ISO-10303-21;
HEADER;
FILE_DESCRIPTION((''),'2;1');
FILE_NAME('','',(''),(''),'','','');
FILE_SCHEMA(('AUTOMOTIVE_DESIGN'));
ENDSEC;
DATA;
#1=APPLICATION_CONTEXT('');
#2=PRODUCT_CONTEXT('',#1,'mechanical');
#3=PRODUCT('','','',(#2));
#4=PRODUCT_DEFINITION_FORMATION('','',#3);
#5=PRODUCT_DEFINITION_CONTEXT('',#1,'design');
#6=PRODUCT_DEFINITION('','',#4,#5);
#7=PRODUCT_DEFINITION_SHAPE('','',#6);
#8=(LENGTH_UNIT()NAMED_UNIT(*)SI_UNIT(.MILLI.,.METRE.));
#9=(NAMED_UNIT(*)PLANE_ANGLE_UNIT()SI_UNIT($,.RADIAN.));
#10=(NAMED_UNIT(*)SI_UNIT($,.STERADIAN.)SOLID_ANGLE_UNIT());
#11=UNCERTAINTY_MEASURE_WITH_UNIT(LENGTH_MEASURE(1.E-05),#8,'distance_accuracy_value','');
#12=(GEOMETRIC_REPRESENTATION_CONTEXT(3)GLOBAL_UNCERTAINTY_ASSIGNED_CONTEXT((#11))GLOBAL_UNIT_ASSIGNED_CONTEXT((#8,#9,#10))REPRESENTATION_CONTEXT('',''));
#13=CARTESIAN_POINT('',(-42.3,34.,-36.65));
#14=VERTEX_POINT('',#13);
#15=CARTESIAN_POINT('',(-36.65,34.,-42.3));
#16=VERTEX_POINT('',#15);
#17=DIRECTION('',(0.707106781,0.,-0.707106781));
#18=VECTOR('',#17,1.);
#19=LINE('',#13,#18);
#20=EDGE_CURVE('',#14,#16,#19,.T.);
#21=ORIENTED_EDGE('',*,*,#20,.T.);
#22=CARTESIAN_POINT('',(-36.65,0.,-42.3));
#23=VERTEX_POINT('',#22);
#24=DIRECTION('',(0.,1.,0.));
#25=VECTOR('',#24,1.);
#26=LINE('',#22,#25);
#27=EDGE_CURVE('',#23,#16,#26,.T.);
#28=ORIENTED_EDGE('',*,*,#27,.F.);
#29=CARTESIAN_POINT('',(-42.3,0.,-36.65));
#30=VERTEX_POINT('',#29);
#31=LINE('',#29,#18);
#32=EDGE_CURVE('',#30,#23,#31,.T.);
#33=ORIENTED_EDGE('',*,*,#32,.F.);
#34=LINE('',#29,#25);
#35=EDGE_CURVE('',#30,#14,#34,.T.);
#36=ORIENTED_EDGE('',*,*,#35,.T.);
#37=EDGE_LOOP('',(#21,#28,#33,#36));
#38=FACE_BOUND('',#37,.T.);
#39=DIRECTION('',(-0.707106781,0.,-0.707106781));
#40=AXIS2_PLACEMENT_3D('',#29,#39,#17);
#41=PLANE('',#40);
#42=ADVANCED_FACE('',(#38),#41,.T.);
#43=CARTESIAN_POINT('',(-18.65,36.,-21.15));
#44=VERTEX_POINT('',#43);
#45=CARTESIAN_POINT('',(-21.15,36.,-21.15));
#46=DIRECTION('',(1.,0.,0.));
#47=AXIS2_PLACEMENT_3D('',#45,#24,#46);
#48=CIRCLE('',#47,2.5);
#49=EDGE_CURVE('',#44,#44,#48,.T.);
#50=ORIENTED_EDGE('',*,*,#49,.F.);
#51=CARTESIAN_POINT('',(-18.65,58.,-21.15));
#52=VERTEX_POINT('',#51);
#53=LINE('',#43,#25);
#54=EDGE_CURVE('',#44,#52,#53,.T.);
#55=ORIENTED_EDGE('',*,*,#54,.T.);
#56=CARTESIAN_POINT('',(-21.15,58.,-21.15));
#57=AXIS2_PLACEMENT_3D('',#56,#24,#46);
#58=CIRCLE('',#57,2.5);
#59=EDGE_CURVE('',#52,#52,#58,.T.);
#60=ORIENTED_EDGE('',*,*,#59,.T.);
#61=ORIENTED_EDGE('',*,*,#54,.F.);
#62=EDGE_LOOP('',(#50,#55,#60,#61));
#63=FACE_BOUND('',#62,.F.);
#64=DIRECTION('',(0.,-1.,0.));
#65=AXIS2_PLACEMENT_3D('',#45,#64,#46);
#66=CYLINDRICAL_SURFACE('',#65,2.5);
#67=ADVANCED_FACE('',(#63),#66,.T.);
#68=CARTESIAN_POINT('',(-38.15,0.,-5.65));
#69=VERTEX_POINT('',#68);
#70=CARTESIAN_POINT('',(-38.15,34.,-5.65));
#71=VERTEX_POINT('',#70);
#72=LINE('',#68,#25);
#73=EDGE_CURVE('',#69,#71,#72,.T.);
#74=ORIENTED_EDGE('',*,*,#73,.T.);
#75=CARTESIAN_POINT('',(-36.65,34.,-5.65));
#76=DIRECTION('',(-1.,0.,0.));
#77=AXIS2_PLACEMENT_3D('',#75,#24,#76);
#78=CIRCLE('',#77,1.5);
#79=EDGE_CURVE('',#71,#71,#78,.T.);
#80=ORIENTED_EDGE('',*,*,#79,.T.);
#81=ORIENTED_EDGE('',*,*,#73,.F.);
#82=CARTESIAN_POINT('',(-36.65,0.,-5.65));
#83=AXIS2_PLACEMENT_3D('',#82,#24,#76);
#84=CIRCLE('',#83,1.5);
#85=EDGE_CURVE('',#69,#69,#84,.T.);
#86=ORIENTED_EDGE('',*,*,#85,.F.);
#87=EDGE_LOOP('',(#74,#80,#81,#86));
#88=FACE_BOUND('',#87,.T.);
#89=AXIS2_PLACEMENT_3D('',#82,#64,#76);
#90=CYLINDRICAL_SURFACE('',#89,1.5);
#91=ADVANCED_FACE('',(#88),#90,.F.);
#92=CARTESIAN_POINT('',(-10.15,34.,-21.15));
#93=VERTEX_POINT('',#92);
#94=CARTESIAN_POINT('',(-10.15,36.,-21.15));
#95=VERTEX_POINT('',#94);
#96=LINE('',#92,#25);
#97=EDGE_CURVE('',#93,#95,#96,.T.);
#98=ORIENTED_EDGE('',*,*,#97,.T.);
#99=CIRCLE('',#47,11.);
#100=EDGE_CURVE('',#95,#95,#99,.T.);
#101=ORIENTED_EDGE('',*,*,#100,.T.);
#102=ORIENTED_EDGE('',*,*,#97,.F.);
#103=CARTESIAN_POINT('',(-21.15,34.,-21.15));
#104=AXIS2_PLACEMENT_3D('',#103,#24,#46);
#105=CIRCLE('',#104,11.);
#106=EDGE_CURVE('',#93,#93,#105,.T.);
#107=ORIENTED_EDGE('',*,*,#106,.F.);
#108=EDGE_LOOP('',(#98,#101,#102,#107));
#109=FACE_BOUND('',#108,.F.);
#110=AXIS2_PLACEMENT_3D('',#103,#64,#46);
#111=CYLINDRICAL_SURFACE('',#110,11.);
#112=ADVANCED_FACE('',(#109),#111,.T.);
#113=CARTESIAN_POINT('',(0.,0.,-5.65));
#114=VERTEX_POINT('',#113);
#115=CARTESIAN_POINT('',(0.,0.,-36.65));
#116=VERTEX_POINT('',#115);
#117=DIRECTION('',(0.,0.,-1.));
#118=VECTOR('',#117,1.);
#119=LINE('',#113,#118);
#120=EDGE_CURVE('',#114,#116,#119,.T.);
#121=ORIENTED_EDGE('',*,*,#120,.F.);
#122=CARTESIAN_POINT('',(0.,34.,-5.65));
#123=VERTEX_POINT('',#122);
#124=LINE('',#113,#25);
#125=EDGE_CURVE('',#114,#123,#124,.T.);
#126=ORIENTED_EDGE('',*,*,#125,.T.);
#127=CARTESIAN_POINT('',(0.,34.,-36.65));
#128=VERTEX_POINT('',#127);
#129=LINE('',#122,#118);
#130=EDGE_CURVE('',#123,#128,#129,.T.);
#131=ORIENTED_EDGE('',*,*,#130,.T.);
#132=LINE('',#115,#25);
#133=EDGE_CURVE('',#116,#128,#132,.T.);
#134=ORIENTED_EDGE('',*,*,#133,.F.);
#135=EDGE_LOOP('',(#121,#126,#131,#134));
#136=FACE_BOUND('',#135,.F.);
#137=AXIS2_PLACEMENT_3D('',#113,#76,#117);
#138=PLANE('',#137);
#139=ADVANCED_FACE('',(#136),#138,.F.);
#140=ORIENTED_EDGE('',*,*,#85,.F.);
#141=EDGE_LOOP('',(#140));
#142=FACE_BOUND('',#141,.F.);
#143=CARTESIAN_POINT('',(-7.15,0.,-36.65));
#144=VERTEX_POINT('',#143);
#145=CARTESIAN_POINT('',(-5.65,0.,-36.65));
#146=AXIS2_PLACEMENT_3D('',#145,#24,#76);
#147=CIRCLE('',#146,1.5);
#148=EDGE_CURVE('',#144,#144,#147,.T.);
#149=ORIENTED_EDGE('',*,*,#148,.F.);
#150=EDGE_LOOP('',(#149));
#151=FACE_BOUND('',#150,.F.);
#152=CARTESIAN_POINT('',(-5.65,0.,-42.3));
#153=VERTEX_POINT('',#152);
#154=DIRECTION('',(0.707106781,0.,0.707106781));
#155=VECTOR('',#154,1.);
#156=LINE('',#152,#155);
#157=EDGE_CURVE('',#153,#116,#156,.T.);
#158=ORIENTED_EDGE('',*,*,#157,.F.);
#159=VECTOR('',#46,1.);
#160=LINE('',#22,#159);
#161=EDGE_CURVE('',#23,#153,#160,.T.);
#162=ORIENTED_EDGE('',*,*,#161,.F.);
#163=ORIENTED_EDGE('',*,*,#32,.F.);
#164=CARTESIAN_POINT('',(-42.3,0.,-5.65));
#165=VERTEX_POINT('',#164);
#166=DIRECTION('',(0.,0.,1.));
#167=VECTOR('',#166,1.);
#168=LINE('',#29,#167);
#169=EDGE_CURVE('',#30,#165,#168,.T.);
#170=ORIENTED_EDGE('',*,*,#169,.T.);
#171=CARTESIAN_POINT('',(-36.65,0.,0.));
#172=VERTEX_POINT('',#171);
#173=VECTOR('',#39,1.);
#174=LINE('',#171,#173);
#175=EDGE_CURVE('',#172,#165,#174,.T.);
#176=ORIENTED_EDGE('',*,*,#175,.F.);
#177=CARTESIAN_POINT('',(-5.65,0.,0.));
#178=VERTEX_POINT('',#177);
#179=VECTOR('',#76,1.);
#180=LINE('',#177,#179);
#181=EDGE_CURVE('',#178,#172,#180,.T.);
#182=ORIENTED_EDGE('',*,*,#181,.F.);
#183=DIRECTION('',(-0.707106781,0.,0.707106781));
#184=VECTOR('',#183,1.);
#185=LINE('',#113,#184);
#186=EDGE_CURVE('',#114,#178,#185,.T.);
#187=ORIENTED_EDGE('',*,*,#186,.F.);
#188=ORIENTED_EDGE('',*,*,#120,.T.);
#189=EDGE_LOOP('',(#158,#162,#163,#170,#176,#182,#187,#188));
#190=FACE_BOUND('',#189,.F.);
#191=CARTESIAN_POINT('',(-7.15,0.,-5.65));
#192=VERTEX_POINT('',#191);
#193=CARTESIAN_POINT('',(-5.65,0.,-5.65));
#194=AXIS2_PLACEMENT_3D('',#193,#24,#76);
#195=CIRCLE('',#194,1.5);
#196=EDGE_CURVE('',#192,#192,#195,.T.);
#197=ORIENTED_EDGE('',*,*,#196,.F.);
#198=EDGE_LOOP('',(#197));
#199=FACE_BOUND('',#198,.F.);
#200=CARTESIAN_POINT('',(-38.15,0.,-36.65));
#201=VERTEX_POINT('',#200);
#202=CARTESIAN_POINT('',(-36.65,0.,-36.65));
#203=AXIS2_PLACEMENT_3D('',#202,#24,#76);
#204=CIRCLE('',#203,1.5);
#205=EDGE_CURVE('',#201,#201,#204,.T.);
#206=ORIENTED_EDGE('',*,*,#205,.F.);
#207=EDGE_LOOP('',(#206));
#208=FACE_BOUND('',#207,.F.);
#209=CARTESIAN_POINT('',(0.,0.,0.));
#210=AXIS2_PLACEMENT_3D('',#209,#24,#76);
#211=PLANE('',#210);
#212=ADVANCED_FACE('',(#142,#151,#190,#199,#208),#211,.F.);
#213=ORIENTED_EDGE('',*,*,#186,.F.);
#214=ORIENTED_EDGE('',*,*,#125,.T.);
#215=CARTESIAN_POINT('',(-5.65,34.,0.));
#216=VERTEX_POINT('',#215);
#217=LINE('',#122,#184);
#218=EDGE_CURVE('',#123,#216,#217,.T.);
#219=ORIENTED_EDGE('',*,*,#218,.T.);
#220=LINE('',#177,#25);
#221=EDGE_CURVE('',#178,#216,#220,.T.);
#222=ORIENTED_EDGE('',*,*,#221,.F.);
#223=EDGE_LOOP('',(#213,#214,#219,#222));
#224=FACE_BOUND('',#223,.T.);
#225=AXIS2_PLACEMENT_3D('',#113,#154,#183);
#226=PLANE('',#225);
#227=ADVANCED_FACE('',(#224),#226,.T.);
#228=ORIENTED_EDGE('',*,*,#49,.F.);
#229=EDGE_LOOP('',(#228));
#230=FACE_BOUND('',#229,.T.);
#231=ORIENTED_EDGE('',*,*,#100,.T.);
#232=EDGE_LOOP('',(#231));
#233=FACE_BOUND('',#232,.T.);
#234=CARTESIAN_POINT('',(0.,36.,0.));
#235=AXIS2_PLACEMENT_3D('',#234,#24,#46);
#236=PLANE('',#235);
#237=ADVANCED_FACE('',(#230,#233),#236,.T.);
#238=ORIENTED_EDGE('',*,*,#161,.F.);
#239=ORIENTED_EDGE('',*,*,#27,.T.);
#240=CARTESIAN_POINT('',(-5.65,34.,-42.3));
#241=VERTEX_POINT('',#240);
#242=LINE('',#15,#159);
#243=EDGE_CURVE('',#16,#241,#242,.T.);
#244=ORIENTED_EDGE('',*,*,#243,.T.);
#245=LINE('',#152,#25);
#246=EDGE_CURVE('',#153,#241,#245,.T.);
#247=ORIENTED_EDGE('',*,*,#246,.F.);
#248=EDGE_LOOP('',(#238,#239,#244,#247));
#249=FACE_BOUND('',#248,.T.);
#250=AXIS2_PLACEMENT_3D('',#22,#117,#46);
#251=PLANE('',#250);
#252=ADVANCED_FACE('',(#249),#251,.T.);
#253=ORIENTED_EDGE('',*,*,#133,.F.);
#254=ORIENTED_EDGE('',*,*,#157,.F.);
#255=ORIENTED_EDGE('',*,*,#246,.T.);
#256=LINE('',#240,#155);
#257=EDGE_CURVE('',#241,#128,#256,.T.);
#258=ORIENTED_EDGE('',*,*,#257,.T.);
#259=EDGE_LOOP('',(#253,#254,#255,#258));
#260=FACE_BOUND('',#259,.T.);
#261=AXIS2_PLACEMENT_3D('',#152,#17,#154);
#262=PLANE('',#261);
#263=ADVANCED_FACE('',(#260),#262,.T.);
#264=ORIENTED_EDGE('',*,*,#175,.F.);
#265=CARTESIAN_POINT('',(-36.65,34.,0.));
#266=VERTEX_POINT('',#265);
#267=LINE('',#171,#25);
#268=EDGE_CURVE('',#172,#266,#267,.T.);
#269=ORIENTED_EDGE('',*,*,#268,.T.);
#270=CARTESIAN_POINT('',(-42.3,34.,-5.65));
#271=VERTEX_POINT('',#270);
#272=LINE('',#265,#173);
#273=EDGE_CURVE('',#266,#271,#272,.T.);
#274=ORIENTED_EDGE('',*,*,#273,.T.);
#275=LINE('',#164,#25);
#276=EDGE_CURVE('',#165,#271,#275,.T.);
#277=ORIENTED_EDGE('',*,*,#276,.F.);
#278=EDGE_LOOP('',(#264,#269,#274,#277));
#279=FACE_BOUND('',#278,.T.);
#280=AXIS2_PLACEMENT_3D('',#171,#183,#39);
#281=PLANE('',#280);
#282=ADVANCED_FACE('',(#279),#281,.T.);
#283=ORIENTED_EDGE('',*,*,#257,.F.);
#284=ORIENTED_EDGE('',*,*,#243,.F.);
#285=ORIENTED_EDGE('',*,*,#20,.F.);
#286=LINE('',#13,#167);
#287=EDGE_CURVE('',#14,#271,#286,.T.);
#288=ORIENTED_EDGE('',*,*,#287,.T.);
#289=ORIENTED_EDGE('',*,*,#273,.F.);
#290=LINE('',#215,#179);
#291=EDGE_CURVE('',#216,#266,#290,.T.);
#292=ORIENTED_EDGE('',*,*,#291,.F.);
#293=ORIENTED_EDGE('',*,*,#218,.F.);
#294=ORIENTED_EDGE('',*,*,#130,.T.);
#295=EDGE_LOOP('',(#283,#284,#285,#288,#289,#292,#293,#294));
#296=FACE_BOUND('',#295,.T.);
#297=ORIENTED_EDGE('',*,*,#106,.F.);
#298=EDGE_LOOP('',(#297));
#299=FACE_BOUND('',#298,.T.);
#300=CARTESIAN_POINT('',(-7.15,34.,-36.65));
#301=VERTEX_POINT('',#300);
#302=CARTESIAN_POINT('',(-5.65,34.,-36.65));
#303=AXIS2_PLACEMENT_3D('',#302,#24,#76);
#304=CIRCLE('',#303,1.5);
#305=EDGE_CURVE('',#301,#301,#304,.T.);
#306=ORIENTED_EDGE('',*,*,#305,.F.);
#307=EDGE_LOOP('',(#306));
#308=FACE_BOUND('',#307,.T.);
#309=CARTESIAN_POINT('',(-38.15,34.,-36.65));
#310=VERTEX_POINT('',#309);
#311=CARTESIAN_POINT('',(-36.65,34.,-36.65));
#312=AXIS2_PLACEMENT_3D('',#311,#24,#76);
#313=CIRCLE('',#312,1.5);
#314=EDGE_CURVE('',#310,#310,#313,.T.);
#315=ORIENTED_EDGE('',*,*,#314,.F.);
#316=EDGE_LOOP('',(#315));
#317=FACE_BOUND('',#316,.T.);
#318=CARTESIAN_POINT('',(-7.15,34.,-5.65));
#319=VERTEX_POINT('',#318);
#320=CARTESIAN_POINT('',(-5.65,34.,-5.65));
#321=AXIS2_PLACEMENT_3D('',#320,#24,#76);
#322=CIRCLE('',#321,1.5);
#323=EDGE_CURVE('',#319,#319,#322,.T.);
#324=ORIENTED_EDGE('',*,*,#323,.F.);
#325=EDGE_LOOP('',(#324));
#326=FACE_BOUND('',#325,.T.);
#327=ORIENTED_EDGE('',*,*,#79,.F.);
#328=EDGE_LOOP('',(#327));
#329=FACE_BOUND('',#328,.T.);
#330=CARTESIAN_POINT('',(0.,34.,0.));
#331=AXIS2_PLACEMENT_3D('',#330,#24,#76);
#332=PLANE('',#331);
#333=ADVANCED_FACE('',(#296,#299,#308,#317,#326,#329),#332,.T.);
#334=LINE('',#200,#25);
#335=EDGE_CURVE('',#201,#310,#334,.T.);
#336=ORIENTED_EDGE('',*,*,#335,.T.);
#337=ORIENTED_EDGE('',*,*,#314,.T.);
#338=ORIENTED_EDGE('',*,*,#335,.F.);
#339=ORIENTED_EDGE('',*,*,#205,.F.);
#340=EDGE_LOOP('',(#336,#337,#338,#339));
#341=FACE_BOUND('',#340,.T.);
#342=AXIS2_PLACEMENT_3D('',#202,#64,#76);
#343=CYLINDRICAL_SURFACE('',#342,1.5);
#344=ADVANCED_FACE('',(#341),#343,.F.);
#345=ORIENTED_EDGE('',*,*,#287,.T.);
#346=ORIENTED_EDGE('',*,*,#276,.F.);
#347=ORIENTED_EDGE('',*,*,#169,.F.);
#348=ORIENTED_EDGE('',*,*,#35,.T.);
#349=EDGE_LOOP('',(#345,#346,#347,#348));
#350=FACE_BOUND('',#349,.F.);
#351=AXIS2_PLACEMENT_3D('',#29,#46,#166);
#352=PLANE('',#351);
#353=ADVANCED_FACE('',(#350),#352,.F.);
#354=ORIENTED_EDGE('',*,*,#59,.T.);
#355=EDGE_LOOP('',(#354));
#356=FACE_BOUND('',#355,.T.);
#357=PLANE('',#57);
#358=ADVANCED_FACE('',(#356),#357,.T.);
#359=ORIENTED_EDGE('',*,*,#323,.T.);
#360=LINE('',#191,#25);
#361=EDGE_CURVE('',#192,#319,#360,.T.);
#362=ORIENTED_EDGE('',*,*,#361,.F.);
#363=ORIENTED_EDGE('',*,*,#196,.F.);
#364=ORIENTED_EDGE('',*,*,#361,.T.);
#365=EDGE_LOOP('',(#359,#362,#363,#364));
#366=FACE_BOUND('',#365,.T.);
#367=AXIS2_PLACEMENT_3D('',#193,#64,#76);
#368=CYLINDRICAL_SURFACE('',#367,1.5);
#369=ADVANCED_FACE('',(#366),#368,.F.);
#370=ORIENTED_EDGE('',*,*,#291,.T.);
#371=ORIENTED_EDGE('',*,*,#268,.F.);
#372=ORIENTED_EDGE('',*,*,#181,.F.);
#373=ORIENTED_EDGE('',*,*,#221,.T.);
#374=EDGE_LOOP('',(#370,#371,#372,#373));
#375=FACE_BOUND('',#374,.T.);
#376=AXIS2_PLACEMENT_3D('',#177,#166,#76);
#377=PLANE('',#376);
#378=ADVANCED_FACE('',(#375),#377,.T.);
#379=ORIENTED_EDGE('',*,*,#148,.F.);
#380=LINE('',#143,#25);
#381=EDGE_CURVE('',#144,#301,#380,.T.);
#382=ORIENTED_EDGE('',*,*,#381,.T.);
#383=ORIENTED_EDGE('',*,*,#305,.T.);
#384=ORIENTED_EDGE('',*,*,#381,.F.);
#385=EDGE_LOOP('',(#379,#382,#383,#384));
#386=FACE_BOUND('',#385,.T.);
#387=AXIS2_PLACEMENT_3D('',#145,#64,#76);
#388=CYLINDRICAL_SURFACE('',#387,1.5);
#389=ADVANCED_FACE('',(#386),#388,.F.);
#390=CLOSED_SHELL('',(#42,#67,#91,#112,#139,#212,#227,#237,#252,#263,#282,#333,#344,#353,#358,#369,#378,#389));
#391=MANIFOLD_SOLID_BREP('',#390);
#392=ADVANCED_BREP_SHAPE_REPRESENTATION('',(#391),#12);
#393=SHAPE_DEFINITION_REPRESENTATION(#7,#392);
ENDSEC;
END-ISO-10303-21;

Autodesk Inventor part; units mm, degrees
ref_plane "YZ Plane" through (0, 0, 0) normal (1, 0, 0) x (0, 1, 0)
ref_plane "XZ Plane" through (0, 0, 0) normal (0, 1, 0) x (-1, 0, 0)
ref_plane "XY Plane" through (0, 0, 0) normal (0, 0, 1) x (1, 0, 0)
sketch "Sketch1" plane through (0, 0, 0) normal (0, 1, 0) x (-1, 0, 0)
  line L0 (0, -5.65) -> (0, -36.65)
  line L1 (36.65, -42.3) -> (5.65, -42.3)
  line L2 (42.3, -36.65) -> (42.3, -5.65)
  line L3 (5.65, 0) -> (36.65, 0)
  line L4 (36.65, 0) -> (42.3, -5.65)
  line L5 (42.3, -36.65) -> (36.65, -42.3)
  line L6 (5.65, -42.3) -> (0, -36.65)
  line L7 (0, -5.65) -> (5.65, 0)
  line L8 (5.65, -36.65) -> (36.65, -36.65) construction
  line L9 (36.65, -36.65) -> (36.65, -5.65) construction
  line L10 (36.65, -5.65) -> (5.65, -5.65) construction
  line L11 (5.65, -5.65) -> (5.65, -36.65) construction
  line L12 (5.65, -36.65) -> (36.65, -5.65) construction
  line L13 (36.65, -36.65) -> (5.65, -5.65) construction
  circle A0 centre (36.65, -5.65) radius 1.5
  circle A1 centre (36.65, -36.65) radius 1.5
  circle A2 centre (5.65, -36.65) radius 1.5
  circle A3 centre (5.65, -5.65) radius 1.5
  point P0 (0, 0)
  point P1 (21.15, -21.15)
  dimension "d12" = 3
  dimension "d14" = 3
  dimension "d15" = 3
extrude "Extrusion1" add sketch "Sketch1" along normal blind 34
sketch "Sketch2" plane through (0, 34, 0) normal (0, 1, 0) x (1, 0, 0)
  line L0 (-42.3, 5.65) -> (-36.65, 0) construction
  line L1 (-39.475, 2.825) -> (-2.825, 39.475) construction
  line L2 (0, 36.65) -> (-5.65, 42.3) construction
  line L3 (-36.65, 42.3) -> (-42.3, 36.65) construction
  line L4 (-39.475, 39.475) -> (-2.825, 2.825) construction
  line L5 (-5.65, 0) -> (0, 5.65) construction
  circle A0 centre (-21.15, 21.15) radius 11
  point P0 (0, 0)
  dimension "d18" = 22
extrude "Extrusion2" add sketch "Sketch2" along normal blind 2
sketch "Sketch3" plane through (-21.15, 36, -21.15) normal (0, 1, 0) x (1, 0, 0)
  line L0 (-21.15, -15.5) -> (-15.5, -21.15) construction
  line L1 (-18.325, -18.325) -> (18.325, 18.325) construction
  line L2 (21.15, 15.5) -> (15.5, 21.15) construction
  line L3 (-18.325, 18.325) -> (18.325, -18.325) construction
  line L4 (15.5, -21.15) -> (21.15, -15.5) construction
  circle A0 centre (0, 0) radius 2.5
  point P0 (21.15, -21.15)
  dimension "d21" = 5
extrude "Extrusion3" add sketch "Sketch3" along normal blind 22
properties part number "NEMA16 Motor" material "Steel"
